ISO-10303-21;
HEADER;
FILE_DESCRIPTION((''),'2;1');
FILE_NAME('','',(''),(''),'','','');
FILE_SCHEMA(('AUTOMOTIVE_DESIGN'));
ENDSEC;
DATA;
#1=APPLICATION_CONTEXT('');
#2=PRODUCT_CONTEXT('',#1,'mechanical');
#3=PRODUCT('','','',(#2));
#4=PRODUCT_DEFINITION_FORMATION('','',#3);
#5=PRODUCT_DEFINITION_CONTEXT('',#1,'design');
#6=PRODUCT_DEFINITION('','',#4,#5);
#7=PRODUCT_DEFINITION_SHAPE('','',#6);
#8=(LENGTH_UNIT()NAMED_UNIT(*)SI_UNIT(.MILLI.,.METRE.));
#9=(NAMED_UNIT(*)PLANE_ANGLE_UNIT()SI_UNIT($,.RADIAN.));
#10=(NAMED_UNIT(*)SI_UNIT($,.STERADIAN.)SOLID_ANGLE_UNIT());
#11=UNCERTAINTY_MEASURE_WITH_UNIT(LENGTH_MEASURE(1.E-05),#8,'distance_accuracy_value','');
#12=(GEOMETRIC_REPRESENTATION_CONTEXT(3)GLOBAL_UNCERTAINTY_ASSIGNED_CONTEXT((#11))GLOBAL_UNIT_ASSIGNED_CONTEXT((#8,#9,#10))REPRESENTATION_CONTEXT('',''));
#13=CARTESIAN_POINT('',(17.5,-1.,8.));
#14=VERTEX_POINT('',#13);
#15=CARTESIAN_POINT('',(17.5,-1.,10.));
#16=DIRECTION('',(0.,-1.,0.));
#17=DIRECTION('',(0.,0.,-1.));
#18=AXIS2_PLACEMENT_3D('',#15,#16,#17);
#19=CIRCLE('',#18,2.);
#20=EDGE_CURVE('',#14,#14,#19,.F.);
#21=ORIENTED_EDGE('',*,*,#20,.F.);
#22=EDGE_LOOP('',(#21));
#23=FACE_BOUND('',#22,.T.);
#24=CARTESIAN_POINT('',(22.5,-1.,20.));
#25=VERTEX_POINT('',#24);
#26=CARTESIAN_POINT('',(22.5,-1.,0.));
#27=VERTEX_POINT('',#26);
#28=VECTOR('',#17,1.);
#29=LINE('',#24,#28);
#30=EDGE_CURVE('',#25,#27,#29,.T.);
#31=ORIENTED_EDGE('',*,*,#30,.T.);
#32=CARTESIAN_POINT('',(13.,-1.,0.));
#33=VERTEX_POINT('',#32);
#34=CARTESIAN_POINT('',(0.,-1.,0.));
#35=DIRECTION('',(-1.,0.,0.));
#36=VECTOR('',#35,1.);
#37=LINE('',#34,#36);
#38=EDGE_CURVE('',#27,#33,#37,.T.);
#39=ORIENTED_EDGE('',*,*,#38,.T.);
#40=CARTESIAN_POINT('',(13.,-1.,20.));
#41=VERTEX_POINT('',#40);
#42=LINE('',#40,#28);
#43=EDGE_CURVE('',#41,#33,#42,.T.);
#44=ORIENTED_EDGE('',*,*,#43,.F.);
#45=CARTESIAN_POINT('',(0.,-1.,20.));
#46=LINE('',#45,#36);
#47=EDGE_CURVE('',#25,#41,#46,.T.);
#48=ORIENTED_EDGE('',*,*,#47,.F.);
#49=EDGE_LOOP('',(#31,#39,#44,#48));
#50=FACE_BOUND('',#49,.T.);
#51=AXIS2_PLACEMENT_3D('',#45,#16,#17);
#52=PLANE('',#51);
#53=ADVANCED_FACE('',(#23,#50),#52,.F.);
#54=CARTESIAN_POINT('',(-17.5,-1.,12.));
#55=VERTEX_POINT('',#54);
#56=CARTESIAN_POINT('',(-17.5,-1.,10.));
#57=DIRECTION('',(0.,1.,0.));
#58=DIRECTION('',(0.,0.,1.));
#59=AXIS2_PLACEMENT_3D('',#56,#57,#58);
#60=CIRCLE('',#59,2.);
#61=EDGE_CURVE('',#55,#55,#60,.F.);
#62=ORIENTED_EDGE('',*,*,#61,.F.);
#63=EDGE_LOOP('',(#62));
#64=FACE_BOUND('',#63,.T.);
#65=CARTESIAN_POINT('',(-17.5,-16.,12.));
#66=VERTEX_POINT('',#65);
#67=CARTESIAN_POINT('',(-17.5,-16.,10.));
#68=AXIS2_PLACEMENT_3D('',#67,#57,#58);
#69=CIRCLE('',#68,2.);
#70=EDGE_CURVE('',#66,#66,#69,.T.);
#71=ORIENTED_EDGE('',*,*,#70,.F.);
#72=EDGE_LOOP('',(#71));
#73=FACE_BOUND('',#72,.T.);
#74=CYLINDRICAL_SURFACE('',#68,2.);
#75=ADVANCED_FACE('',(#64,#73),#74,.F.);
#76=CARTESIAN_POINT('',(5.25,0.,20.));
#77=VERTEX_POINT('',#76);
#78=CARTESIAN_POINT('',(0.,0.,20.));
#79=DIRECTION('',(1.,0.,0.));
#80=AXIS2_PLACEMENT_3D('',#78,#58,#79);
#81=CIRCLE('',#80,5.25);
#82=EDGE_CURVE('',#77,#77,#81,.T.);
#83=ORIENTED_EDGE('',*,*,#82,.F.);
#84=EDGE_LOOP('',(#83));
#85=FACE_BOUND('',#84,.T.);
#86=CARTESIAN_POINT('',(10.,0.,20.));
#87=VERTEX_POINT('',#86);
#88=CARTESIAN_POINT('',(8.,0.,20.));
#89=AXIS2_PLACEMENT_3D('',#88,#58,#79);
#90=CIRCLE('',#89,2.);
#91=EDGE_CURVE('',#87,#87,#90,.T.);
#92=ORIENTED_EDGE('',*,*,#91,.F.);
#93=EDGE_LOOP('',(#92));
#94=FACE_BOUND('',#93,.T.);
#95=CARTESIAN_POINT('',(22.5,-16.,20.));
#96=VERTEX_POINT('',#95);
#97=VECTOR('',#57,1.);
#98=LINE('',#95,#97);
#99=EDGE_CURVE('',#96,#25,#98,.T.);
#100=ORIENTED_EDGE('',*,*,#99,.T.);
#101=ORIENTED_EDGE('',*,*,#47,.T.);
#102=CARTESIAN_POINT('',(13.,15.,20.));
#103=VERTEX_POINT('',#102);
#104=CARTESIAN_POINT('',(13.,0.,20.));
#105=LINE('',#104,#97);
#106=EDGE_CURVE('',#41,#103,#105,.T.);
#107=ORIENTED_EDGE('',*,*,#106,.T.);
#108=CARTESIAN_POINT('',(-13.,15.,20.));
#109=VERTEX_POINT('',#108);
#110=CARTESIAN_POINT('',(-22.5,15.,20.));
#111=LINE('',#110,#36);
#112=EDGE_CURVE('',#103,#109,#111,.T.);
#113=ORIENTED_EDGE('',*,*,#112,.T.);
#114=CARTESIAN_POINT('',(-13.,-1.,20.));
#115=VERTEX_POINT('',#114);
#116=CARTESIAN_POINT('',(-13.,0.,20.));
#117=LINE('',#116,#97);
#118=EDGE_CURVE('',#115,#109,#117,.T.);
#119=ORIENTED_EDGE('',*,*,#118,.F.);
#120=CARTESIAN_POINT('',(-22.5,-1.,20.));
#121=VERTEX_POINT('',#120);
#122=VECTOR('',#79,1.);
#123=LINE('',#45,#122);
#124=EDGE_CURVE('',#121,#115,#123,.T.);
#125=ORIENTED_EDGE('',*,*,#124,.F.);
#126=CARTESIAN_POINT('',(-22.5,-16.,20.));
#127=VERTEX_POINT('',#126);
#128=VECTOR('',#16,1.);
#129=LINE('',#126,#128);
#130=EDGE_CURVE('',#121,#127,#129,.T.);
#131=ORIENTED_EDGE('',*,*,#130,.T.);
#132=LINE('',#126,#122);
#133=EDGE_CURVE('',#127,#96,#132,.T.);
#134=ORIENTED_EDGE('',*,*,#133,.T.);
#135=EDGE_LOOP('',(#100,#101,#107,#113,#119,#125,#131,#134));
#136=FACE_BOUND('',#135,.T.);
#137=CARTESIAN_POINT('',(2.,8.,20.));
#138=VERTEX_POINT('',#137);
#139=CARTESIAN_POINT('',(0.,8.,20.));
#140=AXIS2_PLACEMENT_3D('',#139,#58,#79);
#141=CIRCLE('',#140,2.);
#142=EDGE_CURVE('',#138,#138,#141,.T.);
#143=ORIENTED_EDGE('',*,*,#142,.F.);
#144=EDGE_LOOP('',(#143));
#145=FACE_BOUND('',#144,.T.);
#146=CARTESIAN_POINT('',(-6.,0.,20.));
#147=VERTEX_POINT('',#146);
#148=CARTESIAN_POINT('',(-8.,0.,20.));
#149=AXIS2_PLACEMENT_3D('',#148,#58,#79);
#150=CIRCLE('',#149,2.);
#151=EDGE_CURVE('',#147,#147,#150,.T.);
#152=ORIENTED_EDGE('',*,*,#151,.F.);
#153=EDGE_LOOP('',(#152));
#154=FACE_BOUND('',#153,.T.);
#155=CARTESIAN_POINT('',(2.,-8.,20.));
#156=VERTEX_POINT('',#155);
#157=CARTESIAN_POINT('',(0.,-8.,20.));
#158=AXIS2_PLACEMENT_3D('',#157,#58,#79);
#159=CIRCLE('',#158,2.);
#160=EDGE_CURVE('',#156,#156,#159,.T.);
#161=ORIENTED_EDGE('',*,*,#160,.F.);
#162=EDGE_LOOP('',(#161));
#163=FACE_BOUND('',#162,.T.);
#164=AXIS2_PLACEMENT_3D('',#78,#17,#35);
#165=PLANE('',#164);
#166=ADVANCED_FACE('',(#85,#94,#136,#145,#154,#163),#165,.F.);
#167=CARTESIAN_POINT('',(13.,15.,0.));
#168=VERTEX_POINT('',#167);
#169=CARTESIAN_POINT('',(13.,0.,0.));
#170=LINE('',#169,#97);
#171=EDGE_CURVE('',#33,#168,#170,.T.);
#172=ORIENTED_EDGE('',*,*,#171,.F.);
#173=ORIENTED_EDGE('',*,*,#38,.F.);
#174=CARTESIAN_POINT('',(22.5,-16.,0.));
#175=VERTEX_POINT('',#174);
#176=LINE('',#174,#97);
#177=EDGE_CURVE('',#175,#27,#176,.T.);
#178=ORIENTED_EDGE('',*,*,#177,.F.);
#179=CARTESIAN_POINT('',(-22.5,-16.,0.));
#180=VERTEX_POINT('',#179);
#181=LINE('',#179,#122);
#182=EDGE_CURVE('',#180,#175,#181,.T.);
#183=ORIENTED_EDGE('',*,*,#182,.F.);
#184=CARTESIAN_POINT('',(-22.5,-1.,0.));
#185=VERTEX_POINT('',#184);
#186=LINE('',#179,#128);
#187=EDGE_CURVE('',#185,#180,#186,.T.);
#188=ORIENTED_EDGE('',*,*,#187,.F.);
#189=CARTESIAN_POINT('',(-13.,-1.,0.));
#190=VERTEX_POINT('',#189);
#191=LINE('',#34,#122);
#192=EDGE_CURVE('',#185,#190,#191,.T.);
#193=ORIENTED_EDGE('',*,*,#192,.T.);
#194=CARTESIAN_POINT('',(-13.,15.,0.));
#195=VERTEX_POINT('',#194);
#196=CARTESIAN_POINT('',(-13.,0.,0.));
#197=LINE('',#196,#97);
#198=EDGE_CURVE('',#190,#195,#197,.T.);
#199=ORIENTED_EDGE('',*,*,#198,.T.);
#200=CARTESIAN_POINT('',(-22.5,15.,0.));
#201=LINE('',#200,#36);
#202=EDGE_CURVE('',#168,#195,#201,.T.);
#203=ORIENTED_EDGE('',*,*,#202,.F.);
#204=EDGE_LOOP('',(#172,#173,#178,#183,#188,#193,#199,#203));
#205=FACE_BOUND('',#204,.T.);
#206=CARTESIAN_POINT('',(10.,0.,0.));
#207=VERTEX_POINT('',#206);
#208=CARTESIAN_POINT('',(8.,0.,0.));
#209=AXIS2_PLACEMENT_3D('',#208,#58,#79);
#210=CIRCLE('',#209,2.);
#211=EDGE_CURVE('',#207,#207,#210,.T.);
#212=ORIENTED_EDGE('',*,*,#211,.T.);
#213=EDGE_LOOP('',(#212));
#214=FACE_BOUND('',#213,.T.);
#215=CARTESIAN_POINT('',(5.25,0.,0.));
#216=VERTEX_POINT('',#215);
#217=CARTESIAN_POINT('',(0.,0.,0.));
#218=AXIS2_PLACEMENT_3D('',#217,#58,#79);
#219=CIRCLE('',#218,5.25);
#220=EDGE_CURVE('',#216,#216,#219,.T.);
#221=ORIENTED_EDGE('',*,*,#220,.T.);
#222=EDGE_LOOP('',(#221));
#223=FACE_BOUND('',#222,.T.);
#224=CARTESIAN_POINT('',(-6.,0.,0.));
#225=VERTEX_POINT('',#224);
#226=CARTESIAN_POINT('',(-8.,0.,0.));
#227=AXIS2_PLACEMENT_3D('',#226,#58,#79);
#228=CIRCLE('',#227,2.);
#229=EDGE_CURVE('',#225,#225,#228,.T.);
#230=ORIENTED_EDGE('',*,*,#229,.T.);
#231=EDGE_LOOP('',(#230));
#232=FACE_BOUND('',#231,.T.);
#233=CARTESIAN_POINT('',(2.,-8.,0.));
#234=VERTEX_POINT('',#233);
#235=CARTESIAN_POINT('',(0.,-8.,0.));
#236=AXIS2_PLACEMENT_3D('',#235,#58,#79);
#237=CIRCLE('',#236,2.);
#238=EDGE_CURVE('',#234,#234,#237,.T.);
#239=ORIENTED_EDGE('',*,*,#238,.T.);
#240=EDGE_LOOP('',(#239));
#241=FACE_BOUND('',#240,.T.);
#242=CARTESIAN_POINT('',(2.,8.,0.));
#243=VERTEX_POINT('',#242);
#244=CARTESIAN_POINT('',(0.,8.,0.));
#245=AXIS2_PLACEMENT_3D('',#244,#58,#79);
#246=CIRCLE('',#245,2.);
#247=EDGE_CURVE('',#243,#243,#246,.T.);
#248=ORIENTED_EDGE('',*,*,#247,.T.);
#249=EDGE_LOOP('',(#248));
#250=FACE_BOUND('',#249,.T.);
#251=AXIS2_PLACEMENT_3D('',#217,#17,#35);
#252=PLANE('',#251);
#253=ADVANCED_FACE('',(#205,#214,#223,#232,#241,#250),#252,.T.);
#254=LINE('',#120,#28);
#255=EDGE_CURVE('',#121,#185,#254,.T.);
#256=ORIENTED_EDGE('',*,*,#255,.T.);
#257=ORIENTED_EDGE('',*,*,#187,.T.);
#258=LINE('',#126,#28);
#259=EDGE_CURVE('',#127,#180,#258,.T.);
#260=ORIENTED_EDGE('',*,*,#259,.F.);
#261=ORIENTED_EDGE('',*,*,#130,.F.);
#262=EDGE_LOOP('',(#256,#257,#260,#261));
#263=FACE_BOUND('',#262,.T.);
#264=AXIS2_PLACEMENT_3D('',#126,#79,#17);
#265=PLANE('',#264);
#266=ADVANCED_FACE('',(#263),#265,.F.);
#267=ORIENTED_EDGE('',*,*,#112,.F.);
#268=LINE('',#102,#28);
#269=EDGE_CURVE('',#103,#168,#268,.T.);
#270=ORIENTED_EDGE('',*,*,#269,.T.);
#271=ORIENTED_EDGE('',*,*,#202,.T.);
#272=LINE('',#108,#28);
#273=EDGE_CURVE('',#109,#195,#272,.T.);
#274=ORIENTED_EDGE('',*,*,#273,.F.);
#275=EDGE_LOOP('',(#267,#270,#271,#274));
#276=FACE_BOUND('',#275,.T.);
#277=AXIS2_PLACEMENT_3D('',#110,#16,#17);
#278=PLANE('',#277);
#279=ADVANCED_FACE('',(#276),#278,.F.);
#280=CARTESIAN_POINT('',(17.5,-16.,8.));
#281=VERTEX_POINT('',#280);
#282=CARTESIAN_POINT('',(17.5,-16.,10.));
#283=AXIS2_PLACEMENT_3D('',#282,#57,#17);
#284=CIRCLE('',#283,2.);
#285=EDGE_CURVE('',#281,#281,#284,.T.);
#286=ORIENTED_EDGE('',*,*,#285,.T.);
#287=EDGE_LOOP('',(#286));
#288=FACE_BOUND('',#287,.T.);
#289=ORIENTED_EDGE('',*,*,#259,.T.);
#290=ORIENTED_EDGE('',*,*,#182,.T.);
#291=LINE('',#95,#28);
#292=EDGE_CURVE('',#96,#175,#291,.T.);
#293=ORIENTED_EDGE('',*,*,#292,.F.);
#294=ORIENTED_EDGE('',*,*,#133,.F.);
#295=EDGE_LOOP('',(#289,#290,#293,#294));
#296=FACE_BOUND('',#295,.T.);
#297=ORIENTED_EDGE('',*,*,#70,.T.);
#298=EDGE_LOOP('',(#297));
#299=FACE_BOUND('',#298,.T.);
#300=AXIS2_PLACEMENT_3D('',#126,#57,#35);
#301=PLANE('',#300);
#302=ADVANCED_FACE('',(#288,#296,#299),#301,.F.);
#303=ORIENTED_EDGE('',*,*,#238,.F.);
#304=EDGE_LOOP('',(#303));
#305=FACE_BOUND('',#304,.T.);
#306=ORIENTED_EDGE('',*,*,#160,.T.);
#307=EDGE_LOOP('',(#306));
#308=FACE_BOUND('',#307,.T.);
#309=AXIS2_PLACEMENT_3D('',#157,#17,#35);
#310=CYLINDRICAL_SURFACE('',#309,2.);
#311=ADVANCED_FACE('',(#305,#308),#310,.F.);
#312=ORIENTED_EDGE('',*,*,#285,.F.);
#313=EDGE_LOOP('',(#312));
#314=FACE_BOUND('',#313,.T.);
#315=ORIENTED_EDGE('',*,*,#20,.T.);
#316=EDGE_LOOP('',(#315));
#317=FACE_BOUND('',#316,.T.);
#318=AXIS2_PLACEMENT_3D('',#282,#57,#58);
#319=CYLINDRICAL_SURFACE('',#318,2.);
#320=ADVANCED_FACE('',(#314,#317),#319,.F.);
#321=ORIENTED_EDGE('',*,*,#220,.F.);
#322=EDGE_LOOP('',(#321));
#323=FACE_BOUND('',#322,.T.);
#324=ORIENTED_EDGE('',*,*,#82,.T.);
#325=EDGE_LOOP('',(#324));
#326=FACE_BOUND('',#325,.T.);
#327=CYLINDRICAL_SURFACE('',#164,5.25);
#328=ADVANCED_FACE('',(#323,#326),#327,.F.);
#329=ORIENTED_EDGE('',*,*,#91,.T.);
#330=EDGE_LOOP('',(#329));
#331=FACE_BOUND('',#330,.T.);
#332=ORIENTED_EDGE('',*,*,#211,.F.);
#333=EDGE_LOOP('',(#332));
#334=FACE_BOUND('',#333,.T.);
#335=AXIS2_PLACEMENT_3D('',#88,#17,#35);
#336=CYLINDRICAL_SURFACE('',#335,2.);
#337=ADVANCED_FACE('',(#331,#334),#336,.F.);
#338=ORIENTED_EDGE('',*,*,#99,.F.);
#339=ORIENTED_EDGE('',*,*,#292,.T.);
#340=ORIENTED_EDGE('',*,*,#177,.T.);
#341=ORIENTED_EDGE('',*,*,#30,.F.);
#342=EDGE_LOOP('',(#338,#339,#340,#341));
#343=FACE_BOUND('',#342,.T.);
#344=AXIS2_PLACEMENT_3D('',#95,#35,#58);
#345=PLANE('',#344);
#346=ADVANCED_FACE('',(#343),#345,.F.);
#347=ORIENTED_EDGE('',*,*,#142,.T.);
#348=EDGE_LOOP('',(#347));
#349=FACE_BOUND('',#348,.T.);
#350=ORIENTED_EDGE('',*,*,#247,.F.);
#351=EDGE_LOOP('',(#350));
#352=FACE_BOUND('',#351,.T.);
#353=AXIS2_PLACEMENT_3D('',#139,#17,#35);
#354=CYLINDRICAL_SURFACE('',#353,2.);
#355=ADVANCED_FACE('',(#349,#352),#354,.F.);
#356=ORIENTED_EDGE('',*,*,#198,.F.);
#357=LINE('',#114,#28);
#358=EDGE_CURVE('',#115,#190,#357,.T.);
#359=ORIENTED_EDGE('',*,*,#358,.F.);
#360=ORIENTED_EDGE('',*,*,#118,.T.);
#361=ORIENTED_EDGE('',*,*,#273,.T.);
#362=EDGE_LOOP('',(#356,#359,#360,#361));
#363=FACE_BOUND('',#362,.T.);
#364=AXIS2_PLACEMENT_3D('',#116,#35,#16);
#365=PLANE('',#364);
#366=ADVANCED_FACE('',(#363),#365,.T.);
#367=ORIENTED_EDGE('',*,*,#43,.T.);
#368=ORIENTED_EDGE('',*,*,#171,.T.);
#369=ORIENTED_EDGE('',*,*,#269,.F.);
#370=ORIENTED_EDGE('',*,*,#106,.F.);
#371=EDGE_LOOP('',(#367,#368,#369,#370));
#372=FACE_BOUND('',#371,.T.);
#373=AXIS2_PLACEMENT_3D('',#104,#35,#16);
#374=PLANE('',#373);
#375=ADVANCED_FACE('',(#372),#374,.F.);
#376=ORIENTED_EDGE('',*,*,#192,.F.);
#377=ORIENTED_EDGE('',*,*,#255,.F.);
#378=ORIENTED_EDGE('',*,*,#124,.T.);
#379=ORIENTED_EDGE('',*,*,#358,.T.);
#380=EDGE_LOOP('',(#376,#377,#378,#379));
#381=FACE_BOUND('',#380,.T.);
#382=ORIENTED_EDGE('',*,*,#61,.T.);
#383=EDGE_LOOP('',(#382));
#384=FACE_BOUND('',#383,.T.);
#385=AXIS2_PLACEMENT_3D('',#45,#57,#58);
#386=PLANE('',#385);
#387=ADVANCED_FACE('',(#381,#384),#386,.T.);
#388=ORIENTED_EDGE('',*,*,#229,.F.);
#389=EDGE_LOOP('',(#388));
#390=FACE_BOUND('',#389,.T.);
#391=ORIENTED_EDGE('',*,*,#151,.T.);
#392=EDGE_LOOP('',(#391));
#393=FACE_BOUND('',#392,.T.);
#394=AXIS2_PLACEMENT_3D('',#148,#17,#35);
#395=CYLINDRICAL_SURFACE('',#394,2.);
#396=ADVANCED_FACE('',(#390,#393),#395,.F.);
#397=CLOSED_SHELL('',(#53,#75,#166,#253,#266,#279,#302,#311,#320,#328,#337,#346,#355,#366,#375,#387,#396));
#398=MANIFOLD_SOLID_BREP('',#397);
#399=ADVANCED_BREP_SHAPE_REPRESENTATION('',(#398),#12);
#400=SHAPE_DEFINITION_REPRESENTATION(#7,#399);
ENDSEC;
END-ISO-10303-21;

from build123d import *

# Parameters (mm, degrees)
SKETCH1_W           = 45
SKETCH1_H           = 31
SKETCH1_R           = 5.25
SKETCH1_R_2         = 2
BOSS_EXTRUDE1_DEPTH = 20
SKETCH2_R           = 2
CUT_EXTRUDE1_DEPTH  = 32
SKETCH3_W           = 9.5
SKETCH3_H           = 16
CUT_EXTRUDE2_DEPTH  = 21


with BuildPart() as part:
    # Sketch1 → Boss-Extrude1 (new body)
    with BuildSketch(Plane.XY):
        with Locations((0, -0.5)):
            Rectangle(SKETCH1_W, SKETCH1_H)
        Circle(SKETCH1_R, mode=Mode.SUBTRACT)
        with Locations((0, 8)):
            Circle(SKETCH1_R_2, mode=Mode.SUBTRACT)
        with Locations((8, 0)):
            Circle(SKETCH1_R_2, mode=Mode.SUBTRACT)
        with Locations((0, -8)):
            Circle(SKETCH1_R_2, mode=Mode.SUBTRACT)
        with Locations((-8, 0)):
            Circle(SKETCH1_R_2, mode=Mode.SUBTRACT)
    extrude(amount=BOSS_EXTRUDE1_DEPTH)

    # Sketch2 → Cut-Extrude1 (cut, through all)
    with BuildSketch(Plane(origin=(0, 15, 0), x_dir=(1, 0, 0), z_dir=(0, 1, 0))):
        with Locations((-17.5, -10)):
            Circle(SKETCH2_R)
        with Locations((17.5, -10)):
            Circle(SKETCH2_R)
    extrude(amount=-CUT_EXTRUDE1_DEPTH, mode=Mode.SUBTRACT)

    # Sketch3 → Cut-Extrude2 (cut, through all)
    with BuildSketch(Plane(origin=(0, 0, 0), x_dir=(-1, 0, 0), z_dir=(0, 0, -1))):
        with Locations((17.75, 7)):
            Rectangle(SKETCH3_W, SKETCH3_H)
        with Locations((-17.75, 7)):
            Rectangle(SKETCH3_W, SKETCH3_H)
    extrude(amount=-CUT_EXTRUDE2_DEPTH, mode=Mode.SUBTRACT)


solid = part.part
